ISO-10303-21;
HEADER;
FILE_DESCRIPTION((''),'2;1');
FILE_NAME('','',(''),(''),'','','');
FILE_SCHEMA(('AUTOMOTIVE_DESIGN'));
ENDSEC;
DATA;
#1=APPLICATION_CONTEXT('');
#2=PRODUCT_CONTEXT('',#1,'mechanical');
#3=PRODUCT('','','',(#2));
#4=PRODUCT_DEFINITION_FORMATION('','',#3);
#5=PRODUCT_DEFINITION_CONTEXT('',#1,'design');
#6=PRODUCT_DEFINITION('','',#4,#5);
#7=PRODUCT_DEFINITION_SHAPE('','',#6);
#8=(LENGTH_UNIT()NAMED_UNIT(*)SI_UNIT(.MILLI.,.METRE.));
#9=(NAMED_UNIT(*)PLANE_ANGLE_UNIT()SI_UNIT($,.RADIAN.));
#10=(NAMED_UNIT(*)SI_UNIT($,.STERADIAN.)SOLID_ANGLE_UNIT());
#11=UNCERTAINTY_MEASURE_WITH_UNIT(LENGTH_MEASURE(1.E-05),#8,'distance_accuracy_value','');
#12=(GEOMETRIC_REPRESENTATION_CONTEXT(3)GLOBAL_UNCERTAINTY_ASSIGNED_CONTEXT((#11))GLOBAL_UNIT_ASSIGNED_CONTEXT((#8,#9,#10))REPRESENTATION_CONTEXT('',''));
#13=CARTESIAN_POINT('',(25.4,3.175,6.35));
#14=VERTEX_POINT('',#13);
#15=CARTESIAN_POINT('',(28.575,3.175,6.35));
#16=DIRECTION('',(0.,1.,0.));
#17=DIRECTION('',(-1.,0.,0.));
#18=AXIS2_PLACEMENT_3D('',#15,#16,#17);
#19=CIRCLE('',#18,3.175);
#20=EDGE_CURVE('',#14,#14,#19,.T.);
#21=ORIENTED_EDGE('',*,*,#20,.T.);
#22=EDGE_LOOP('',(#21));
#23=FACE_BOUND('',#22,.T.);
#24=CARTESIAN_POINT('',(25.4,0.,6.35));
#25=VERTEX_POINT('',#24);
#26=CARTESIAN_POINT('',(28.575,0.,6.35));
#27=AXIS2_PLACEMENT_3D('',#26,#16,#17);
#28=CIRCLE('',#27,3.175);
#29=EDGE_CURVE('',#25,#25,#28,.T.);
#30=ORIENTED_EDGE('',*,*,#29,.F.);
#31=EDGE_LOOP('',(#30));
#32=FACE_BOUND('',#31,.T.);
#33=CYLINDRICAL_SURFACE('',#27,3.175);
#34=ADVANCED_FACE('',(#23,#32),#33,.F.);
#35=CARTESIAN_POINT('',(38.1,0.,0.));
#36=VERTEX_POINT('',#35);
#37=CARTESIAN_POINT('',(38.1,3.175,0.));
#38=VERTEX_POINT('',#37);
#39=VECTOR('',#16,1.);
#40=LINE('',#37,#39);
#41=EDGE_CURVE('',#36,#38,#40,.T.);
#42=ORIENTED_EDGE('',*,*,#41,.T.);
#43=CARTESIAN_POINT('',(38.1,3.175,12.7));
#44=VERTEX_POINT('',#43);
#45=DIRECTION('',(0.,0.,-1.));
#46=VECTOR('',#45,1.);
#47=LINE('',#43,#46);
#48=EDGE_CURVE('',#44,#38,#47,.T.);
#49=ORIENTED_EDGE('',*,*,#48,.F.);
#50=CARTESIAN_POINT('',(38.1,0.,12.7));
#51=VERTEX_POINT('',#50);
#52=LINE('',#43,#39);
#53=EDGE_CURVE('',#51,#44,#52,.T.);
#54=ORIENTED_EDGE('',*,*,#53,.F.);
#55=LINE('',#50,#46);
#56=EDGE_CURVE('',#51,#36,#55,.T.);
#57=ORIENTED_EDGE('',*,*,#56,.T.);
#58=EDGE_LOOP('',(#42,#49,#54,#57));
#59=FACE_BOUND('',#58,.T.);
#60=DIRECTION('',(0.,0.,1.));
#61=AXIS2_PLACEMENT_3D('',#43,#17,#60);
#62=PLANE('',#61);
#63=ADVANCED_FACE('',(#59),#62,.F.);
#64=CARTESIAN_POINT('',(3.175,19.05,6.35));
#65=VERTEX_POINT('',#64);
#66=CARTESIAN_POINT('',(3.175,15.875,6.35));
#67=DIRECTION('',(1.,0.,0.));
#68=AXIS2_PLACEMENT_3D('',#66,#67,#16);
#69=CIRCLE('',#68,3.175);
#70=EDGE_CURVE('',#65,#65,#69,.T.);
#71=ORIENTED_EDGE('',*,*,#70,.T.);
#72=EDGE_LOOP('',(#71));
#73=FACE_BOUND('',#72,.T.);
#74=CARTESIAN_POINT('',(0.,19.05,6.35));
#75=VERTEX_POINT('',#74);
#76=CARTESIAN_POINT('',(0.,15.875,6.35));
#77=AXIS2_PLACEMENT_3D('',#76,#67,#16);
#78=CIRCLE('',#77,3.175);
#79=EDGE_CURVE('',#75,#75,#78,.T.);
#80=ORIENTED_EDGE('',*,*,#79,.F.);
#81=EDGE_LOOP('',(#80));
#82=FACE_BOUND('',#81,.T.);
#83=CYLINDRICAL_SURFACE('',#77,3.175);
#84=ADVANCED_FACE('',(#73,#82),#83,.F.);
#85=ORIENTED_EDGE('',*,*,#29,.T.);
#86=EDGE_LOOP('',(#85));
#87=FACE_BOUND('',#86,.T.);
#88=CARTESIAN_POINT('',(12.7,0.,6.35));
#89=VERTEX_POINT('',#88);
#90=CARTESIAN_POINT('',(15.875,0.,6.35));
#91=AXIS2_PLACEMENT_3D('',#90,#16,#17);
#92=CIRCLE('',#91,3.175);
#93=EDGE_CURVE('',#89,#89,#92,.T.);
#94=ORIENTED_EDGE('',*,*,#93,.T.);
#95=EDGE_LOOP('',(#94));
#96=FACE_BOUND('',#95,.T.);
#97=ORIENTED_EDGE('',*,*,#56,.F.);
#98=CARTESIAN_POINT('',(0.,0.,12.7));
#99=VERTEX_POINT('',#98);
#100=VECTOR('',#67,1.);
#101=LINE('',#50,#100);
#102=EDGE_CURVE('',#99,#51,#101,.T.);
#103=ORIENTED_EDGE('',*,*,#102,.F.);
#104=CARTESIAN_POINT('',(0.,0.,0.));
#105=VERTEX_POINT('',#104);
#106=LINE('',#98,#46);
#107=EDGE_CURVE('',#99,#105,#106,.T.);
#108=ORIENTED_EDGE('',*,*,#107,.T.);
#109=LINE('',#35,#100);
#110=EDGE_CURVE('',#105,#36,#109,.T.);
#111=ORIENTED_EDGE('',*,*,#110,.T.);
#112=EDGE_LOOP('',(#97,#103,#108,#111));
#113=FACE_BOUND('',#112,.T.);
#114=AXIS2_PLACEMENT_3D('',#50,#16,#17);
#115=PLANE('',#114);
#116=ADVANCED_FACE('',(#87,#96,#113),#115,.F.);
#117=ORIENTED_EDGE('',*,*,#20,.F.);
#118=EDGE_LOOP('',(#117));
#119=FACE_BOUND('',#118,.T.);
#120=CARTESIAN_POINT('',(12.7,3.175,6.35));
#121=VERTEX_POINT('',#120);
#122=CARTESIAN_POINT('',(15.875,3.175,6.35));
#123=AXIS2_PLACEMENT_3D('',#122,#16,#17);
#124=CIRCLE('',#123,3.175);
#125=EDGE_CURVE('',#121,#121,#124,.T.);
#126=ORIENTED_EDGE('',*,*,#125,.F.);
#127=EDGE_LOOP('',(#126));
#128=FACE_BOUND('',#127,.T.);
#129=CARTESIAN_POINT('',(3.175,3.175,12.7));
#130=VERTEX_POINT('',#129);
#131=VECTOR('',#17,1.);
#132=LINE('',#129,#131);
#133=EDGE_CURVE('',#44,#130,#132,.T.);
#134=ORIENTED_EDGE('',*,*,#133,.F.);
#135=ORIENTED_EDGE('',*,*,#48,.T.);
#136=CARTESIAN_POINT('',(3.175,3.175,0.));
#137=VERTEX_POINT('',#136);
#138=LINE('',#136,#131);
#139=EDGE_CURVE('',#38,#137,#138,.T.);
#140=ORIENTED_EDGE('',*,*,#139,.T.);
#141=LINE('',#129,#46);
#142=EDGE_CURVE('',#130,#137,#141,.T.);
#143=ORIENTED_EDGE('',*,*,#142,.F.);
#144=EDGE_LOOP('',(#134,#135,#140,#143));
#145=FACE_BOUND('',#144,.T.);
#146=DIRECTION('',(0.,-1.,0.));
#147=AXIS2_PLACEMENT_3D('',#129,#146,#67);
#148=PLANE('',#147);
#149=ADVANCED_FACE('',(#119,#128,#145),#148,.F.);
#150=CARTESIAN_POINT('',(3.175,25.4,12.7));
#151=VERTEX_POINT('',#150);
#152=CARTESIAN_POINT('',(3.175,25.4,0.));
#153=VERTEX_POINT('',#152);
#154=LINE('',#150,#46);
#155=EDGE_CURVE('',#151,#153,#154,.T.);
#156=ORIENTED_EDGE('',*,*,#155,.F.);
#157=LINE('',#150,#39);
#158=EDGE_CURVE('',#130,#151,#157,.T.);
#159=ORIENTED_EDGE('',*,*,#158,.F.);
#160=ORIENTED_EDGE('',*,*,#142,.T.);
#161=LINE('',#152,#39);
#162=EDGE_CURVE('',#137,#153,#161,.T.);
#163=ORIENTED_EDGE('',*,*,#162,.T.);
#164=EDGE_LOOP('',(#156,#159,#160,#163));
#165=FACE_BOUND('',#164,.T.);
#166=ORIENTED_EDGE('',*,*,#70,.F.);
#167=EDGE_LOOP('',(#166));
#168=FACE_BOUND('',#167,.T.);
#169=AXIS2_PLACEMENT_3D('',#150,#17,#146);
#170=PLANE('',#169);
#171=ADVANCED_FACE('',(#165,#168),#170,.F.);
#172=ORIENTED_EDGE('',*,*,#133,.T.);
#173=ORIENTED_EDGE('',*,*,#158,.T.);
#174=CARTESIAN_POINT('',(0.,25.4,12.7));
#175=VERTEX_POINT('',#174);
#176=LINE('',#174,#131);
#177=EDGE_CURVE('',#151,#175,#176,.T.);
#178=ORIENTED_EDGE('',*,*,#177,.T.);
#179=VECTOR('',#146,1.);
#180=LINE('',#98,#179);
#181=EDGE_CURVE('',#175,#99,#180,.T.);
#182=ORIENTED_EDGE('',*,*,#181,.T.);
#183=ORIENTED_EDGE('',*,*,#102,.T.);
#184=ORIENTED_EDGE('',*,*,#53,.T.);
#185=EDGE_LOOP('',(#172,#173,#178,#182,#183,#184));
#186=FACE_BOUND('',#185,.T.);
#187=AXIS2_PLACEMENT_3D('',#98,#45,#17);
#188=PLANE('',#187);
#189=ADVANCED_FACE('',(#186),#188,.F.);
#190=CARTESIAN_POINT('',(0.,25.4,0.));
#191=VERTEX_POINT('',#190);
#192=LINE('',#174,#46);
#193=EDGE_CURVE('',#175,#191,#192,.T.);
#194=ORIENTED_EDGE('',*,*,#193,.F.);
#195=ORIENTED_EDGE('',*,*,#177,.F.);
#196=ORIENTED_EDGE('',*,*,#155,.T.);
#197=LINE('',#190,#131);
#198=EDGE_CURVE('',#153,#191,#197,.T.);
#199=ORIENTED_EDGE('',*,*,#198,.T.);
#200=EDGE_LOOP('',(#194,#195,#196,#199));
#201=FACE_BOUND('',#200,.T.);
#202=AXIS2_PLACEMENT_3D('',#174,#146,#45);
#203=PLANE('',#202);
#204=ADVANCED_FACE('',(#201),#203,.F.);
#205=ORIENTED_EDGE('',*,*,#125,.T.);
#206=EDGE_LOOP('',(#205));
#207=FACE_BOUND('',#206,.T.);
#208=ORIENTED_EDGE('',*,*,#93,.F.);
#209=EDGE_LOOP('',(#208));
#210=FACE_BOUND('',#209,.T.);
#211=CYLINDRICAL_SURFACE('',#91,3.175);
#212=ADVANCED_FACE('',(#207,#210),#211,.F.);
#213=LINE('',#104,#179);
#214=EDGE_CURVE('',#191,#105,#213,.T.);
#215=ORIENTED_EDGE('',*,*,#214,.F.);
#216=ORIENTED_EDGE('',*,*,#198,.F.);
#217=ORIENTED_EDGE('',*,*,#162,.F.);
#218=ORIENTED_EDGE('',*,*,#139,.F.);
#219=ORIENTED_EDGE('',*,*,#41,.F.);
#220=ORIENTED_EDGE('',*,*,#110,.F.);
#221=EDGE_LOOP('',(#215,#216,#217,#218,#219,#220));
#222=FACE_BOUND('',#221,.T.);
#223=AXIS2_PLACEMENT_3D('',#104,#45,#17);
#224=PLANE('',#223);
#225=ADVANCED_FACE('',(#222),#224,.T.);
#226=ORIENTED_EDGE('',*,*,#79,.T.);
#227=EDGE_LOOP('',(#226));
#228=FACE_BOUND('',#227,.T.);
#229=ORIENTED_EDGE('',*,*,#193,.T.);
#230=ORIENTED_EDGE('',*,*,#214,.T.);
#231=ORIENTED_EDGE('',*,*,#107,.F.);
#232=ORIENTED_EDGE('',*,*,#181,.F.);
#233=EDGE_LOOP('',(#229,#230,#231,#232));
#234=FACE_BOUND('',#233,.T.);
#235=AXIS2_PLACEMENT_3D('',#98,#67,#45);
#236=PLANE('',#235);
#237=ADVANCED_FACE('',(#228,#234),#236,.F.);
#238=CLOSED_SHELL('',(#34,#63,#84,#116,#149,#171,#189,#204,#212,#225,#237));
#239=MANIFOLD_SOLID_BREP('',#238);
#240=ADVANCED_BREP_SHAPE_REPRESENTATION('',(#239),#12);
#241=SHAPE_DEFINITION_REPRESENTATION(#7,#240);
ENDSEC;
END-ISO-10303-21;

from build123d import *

# Parameters (mm, degrees)
BOSS_EXTRUDE1_DEPTH = 12.7
SKETCH2_R           = 3.175
CUT_EXTRUDE1_DEPTH  = 4.175
SKETCH3_R           = 3.175
CUT_EXTRUDE2_DEPTH  = 4.175


with BuildPart() as part:
    # Sketch1 → Boss-Extrude1 (new body)
    with BuildSketch(Plane.XY):
        Polygon((0, 0), (0, 25.4), (3.175, 25.4), (3.175, 3.175), (38.1, 3.175), (38.1, 0), align=None)
    extrude(amount=BOSS_EXTRUDE1_DEPTH)

    # Sketch2 → Cut-Extrude1 (cut, through all)
    with BuildSketch(Plane(origin=(0, 3.175, 0), x_dir=(1, 0, 0), z_dir=(0, 1, 0))):
        with Locations((15.875, -6.35)):
            Circle(SKETCH2_R)
        with Locations((28.575, -6.35)):
            Circle(SKETCH2_R)
    extrude(amount=-CUT_EXTRUDE1_DEPTH, mode=Mode.SUBTRACT)

    # Sketch3 → Cut-Extrude2 (cut, through all)
    with BuildSketch(Plane(origin=(3.175, 0, 0), x_dir=(0, 0, -1), z_dir=(1, 0, 0))):
        with Locations((-6.35, 28.575)):
            Circle(SKETCH3_R)
        with Locations((-6.35, 15.875)):
            Circle(SKETCH3_R)
    extrude(amount=-CUT_EXTRUDE2_DEPTH, mode=Mode.SUBTRACT)


solid = part.part
